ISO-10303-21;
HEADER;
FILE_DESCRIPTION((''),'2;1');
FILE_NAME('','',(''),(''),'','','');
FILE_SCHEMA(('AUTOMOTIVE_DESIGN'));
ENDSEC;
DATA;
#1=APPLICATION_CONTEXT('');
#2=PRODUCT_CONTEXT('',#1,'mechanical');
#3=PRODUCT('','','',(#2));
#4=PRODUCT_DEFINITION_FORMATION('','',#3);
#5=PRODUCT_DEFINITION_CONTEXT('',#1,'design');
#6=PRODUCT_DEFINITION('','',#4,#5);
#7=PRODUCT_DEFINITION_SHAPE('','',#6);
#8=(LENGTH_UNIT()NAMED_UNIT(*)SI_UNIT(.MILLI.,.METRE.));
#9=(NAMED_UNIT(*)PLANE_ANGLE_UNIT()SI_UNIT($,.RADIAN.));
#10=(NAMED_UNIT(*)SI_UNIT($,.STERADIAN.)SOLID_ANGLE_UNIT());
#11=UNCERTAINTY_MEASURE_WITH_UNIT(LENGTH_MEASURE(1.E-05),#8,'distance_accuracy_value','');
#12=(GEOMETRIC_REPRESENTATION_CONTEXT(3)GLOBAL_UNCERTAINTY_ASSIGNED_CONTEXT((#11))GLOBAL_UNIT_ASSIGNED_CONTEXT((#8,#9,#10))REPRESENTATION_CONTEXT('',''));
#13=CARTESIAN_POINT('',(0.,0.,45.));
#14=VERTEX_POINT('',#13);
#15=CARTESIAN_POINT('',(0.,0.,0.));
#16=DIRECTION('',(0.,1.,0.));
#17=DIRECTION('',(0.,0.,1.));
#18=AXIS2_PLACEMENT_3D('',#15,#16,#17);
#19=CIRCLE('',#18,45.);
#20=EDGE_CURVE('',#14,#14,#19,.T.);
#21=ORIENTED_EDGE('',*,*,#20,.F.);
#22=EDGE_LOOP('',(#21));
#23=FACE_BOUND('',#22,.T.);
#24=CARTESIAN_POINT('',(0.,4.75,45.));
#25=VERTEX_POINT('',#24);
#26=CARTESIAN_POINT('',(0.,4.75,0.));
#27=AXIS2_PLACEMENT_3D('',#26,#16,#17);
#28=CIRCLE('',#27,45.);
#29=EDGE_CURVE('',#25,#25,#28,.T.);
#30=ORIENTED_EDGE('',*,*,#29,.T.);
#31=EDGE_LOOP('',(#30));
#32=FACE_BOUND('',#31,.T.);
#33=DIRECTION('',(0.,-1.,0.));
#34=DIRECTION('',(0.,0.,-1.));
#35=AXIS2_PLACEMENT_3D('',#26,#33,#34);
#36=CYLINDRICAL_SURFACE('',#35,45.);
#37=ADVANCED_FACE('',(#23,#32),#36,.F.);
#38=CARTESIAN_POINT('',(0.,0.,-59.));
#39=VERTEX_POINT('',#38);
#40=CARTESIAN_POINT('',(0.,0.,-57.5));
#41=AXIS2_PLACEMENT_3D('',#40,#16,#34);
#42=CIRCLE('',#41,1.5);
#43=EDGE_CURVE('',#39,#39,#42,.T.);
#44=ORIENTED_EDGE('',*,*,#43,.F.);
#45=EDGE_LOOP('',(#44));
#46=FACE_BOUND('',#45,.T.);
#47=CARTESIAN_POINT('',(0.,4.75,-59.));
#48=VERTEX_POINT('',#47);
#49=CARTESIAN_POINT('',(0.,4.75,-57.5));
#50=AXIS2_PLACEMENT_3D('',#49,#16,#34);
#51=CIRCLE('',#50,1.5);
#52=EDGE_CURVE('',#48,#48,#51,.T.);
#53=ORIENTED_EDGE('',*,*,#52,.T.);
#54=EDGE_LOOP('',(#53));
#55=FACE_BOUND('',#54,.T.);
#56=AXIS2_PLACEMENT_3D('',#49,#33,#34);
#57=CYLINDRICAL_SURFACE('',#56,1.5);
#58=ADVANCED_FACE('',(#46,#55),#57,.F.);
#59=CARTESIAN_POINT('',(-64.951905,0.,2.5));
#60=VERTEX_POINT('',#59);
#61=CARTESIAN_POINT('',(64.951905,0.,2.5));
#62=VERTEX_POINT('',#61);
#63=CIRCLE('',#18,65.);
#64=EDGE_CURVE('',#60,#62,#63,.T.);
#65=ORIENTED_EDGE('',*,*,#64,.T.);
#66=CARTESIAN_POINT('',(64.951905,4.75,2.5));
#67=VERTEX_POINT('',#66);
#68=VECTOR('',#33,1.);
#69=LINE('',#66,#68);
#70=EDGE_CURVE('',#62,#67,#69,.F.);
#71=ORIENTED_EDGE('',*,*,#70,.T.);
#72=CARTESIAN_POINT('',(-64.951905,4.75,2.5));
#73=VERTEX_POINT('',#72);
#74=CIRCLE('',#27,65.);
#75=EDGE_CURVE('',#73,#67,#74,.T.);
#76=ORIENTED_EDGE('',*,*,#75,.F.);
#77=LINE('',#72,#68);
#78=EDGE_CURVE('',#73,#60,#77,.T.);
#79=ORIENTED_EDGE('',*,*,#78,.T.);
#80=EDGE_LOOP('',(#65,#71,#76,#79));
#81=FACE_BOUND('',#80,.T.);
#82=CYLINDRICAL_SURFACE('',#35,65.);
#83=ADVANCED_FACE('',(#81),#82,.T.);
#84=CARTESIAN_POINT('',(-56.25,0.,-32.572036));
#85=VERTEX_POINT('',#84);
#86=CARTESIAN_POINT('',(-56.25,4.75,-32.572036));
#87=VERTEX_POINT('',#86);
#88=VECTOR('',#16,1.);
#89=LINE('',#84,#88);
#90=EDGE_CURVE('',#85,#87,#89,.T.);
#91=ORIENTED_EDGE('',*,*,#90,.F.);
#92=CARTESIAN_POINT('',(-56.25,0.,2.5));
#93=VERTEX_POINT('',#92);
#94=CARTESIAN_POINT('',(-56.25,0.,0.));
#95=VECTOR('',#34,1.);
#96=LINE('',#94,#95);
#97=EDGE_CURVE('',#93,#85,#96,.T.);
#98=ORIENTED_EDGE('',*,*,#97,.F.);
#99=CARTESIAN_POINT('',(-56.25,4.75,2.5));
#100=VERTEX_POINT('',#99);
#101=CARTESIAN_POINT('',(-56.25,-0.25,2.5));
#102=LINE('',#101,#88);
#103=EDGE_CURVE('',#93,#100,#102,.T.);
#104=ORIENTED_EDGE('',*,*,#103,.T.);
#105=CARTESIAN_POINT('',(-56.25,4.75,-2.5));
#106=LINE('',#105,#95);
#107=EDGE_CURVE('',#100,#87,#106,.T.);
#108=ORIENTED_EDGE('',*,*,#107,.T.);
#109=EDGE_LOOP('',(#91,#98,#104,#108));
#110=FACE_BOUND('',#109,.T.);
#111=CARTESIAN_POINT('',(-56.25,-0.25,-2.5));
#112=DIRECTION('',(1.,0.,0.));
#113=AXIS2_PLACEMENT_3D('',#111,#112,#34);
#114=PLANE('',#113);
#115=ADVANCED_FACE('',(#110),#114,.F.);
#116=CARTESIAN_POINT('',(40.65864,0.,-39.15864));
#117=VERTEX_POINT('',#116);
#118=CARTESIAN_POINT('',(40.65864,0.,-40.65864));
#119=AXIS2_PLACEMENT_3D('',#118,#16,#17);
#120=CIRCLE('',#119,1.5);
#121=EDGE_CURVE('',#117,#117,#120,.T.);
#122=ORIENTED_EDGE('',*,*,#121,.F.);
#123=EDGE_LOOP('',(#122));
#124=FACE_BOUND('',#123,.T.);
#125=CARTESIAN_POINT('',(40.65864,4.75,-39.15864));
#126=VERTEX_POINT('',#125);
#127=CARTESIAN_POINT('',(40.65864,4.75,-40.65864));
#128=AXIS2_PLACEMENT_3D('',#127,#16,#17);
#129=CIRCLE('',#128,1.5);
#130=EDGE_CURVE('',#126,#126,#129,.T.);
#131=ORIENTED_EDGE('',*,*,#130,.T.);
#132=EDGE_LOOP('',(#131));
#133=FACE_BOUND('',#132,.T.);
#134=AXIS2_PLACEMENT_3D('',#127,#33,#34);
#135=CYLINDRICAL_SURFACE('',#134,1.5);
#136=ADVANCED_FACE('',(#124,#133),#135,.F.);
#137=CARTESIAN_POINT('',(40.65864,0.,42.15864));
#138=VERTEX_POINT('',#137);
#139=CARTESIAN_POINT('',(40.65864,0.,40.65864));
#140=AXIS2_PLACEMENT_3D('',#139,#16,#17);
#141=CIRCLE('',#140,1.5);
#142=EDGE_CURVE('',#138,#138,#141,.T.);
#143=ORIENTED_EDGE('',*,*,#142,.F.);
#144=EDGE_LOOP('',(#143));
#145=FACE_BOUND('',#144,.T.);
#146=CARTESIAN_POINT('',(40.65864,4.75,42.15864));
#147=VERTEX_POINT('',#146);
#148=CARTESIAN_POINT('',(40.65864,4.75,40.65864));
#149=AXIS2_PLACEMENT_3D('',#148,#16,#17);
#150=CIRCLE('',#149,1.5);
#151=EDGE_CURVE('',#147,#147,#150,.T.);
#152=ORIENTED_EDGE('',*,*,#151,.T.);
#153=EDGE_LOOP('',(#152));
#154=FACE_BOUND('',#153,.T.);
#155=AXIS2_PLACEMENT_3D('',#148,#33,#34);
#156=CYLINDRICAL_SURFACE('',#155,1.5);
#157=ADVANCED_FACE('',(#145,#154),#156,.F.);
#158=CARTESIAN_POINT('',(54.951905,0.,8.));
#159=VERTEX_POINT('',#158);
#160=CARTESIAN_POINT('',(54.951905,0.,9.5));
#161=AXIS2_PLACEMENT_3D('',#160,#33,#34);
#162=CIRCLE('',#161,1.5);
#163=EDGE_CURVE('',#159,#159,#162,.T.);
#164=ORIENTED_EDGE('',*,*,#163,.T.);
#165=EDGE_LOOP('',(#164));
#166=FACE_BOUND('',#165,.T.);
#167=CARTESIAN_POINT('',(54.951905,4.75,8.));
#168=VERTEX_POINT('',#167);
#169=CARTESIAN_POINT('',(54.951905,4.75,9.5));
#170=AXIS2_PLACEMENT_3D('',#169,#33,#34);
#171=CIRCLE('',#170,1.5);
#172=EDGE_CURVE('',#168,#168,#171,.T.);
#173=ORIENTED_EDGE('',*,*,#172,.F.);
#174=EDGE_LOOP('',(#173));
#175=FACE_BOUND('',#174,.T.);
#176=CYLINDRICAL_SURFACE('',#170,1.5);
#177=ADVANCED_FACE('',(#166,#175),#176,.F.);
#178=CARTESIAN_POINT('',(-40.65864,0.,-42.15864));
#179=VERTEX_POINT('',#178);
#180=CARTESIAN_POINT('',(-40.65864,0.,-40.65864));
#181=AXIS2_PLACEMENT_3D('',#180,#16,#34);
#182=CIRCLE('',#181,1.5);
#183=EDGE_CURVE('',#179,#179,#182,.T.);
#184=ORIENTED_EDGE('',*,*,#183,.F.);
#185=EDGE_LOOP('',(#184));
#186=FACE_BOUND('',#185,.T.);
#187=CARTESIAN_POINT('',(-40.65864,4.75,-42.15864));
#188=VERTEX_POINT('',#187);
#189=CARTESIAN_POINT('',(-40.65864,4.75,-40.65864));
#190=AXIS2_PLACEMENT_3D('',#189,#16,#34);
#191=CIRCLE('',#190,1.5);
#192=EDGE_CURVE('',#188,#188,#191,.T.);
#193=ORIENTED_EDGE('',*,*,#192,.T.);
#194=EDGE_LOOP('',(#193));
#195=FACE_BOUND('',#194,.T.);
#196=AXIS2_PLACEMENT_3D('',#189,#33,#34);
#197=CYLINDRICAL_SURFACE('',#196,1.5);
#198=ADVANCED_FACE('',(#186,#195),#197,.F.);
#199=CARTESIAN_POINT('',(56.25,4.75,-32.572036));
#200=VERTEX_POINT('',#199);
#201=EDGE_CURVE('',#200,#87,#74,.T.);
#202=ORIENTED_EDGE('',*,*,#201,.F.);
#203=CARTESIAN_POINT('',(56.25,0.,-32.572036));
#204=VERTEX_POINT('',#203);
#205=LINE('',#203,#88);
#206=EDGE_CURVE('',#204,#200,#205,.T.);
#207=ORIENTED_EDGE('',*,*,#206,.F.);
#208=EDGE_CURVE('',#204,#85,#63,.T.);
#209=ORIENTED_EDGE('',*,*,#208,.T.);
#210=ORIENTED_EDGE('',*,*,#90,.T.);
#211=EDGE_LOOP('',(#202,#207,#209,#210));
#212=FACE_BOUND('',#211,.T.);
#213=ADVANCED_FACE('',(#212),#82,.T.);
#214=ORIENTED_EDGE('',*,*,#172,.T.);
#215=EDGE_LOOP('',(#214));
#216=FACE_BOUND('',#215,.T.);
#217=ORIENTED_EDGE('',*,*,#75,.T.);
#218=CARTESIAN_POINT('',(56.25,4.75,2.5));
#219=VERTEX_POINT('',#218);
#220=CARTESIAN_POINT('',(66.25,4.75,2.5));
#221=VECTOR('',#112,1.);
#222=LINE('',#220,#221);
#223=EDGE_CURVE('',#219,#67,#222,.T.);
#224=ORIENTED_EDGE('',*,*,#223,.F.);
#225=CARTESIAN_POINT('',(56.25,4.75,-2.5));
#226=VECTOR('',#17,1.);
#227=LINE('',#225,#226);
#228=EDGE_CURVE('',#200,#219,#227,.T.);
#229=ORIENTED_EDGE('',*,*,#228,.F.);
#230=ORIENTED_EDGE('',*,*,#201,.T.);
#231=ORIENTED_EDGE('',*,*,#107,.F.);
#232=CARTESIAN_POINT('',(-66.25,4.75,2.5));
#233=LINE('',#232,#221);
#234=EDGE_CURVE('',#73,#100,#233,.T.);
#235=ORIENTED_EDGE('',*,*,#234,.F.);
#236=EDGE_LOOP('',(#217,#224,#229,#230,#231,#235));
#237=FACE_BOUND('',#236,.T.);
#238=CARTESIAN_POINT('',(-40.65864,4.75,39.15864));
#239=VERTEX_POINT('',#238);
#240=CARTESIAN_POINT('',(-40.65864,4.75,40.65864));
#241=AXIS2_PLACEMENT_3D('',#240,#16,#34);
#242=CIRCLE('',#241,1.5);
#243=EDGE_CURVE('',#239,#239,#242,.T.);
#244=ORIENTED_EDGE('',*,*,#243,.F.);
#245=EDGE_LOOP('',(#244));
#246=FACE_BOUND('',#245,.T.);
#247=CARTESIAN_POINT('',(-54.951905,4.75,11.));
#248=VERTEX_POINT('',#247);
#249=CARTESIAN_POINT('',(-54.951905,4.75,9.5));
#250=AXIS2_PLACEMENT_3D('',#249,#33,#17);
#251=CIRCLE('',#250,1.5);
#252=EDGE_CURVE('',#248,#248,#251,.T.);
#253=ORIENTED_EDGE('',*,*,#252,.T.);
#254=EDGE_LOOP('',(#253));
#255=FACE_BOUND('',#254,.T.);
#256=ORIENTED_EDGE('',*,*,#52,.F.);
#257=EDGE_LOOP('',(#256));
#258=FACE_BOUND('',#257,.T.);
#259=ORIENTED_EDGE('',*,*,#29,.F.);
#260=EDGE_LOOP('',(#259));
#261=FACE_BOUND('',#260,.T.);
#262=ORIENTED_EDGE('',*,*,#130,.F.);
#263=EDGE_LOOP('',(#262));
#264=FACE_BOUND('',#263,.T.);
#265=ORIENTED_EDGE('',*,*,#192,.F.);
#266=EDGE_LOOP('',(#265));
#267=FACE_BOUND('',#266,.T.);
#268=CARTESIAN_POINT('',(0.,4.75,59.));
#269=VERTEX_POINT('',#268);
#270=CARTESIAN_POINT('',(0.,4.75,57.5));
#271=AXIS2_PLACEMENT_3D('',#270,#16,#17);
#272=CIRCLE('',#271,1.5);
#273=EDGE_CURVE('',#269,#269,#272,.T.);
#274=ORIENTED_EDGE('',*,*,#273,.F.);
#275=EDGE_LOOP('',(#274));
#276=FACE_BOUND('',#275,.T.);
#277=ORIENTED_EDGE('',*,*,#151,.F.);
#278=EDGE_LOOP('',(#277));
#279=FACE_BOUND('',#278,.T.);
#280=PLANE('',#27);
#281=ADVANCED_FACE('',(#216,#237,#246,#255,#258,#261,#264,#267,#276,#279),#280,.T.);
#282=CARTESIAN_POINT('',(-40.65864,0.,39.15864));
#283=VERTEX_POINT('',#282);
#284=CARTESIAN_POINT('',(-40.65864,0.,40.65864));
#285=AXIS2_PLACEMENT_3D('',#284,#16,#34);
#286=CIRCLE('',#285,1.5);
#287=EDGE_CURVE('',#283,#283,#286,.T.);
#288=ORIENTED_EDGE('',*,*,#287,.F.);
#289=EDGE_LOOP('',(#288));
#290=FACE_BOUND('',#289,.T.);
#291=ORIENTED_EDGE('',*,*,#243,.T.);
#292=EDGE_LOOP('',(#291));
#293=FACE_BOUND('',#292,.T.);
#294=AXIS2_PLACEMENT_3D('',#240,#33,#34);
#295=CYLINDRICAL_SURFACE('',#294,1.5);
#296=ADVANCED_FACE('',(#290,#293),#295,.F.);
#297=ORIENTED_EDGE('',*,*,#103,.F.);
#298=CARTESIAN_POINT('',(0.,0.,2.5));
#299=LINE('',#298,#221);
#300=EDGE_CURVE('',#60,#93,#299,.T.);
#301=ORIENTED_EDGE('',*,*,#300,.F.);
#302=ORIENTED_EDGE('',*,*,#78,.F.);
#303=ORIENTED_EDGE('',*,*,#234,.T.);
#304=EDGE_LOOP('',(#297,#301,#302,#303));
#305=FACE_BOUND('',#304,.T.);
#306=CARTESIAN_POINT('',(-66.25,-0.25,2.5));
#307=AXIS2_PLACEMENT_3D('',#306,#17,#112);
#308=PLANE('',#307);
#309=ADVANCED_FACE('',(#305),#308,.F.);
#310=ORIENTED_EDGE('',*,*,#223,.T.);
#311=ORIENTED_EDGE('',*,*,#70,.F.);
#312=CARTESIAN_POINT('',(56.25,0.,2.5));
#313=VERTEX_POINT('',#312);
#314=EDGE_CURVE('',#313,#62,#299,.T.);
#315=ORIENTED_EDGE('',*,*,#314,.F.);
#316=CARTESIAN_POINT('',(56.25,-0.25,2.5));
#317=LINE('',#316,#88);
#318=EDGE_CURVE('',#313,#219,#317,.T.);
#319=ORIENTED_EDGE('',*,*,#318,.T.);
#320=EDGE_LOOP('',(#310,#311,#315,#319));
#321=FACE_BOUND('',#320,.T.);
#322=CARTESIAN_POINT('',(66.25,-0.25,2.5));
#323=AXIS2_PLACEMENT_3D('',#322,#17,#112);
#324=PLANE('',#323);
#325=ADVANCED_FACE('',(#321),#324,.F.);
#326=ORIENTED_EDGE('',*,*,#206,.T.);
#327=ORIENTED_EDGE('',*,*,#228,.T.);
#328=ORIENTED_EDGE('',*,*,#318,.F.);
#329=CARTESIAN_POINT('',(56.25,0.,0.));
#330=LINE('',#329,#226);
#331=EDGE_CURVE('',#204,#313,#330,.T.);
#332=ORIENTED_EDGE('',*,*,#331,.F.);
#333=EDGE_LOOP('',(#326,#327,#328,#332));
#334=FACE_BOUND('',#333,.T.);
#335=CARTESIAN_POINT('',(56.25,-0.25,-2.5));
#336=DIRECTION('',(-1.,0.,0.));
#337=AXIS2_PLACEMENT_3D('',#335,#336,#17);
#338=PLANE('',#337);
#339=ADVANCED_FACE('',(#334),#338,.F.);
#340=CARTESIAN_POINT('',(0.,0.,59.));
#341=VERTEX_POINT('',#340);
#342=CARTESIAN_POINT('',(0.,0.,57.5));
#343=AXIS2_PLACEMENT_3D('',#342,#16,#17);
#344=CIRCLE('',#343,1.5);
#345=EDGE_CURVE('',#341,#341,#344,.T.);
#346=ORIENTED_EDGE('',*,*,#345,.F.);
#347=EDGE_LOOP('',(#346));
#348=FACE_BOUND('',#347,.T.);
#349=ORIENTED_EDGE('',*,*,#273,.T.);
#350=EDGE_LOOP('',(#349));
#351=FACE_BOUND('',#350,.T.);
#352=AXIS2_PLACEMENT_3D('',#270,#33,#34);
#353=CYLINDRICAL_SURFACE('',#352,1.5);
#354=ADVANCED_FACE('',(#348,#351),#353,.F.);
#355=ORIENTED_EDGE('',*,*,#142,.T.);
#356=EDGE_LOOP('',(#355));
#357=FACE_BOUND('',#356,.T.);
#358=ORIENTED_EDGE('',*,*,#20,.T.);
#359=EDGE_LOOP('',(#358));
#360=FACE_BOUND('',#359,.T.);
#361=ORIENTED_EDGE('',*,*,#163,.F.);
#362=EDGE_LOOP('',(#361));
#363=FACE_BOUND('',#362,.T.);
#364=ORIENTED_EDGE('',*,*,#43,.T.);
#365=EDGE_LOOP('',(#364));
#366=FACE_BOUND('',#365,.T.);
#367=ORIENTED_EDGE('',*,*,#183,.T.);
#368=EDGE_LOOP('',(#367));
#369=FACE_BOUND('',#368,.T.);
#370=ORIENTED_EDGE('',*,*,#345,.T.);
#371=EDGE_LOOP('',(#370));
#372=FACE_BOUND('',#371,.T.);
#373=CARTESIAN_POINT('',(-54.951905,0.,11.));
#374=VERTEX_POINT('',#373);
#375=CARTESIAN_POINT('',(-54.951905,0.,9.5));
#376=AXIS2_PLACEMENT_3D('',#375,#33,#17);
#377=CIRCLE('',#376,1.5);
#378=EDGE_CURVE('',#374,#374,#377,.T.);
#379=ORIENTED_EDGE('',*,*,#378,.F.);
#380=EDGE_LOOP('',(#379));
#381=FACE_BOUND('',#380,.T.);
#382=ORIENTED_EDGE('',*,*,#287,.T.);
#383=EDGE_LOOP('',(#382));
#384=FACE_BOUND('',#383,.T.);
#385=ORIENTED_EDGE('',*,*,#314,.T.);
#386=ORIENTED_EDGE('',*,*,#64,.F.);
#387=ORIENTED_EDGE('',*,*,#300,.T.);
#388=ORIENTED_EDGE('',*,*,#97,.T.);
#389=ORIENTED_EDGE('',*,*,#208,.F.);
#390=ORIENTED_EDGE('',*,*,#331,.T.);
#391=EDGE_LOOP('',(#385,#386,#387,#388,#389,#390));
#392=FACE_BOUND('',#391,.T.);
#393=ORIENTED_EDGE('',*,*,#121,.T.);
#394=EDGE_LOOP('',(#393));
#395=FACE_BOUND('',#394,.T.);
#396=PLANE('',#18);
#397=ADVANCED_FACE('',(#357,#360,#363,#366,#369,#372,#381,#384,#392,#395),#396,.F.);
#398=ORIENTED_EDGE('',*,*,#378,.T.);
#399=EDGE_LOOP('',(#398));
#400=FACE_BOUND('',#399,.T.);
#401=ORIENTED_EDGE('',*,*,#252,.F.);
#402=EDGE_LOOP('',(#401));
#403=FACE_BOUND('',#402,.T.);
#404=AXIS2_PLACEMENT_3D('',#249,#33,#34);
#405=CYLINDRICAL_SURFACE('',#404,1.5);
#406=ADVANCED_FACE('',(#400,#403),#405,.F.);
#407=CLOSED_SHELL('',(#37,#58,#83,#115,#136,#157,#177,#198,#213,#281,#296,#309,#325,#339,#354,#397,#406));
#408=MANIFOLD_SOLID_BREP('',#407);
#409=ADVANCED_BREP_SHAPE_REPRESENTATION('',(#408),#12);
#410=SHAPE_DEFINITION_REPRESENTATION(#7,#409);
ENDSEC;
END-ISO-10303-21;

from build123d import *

# Parameters (mm, degrees)
SKETCH1_R           = 65
SKETCH1_R_2         = 1.5
SKETCH1_R_3         = 45
BOSS_EXTRUDE1_DEPTH = 4.75
SKETCH3_W           = 10
SKETCH3_H           = 5
CUT_EXTRUDE1_DEPTH  = 5
CUT_EXTRUDE2_DEPTH  = 93.012567076
SKETCH5_R           = 1.5
CUT_EXTRUDE3_DEPTH  = 93.012567076


with BuildPart() as part:
    # Sketch1 → Boss-Extrude1 (new body)
    with BuildSketch(Plane(origin=(0, 0, 0), x_dir=(1, 0, 0), z_dir=(0, 1, 0))):
        Circle(SKETCH1_R)
        with Locations((0, -57.5)):
            Circle(SKETCH1_R_2, mode=Mode.SUBTRACT)
        with Locations((40.658639918, -40.658639918)):
            Circle(SKETCH1_R_2, mode=Mode.SUBTRACT)
        with Locations((40.658639918, 40.658639918)):
            Circle(SKETCH1_R_2, mode=Mode.SUBTRACT)
        with Locations((0, 57.5)):
            Circle(SKETCH1_R_2, mode=Mode.SUBTRACT)
        with Locations((-40.658639918, 40.658639918)):
            Circle(SKETCH1_R_2, mode=Mode.SUBTRACT)
        with Locations((-40.658639918, -40.658639918)):
            Circle(SKETCH1_R_2, mode=Mode.SUBTRACT)
        Circle(SKETCH1_R_3, mode=Mode.SUBTRACT)
    extrude(amount=BOSS_EXTRUDE1_DEPTH)

    # Sketch3 → Cut-Extrude1 (cut)
    with BuildSketch(Plane(origin=(0, 4.75, 0), x_dir=(1, 0, 0), z_dir=(0, 1, 0))):
        with Locations((61.25, 0)):
            Rectangle(SKETCH3_W, SKETCH3_H)
        with Locations((-61.25, 0)):
            Rectangle(SKETCH3_W, SKETCH3_H)
    extrude(amount=-CUT_EXTRUDE1_DEPTH, mode=Mode.SUBTRACT)

    # Sketch4 → Cut-Extrude2 (cut, through all)
    with BuildSketch(Plane(origin=(0, 4.75, 0), x_dir=(1, 0, 0), z_dir=(0, 1, 0))):
        with BuildLine():
            Line((-64.951905284, 2.5), (-56.25, 2.5))
            Line((-56.25, 2.5), (-56.25, 32.572035552))
            ThreePointArc((-56.25, 32.572035552), (-62.438428004, 18.067725599), (-64.951905284, 2.5))
        make_face()
        with BuildLine():
            ThreePointArc((64.951905284, 2.5), (62.438428004, 18.067725599), (56.25, 32.572035552))
            Line((56.25, 32.572035552), (56.25, 2.5))
            Line((56.25, 2.5), (64.951905284, 2.5))
        make_face()
    extrude(amount=-CUT_EXTRUDE2_DEPTH, mode=Mode.SUBTRACT)

    # Sketch5 → Cut-Extrude3 (cut, through all)
    with BuildSketch(Plane.XZ):
        with Locations((54.951905284, 9.5)):
            Circle(SKETCH5_R)
        with Locations((-54.951905284, 9.5)):
            Circle(SKETCH5_R)
    extrude(amount=-CUT_EXTRUDE3_DEPTH, mode=Mode.SUBTRACT)


solid = part.part
